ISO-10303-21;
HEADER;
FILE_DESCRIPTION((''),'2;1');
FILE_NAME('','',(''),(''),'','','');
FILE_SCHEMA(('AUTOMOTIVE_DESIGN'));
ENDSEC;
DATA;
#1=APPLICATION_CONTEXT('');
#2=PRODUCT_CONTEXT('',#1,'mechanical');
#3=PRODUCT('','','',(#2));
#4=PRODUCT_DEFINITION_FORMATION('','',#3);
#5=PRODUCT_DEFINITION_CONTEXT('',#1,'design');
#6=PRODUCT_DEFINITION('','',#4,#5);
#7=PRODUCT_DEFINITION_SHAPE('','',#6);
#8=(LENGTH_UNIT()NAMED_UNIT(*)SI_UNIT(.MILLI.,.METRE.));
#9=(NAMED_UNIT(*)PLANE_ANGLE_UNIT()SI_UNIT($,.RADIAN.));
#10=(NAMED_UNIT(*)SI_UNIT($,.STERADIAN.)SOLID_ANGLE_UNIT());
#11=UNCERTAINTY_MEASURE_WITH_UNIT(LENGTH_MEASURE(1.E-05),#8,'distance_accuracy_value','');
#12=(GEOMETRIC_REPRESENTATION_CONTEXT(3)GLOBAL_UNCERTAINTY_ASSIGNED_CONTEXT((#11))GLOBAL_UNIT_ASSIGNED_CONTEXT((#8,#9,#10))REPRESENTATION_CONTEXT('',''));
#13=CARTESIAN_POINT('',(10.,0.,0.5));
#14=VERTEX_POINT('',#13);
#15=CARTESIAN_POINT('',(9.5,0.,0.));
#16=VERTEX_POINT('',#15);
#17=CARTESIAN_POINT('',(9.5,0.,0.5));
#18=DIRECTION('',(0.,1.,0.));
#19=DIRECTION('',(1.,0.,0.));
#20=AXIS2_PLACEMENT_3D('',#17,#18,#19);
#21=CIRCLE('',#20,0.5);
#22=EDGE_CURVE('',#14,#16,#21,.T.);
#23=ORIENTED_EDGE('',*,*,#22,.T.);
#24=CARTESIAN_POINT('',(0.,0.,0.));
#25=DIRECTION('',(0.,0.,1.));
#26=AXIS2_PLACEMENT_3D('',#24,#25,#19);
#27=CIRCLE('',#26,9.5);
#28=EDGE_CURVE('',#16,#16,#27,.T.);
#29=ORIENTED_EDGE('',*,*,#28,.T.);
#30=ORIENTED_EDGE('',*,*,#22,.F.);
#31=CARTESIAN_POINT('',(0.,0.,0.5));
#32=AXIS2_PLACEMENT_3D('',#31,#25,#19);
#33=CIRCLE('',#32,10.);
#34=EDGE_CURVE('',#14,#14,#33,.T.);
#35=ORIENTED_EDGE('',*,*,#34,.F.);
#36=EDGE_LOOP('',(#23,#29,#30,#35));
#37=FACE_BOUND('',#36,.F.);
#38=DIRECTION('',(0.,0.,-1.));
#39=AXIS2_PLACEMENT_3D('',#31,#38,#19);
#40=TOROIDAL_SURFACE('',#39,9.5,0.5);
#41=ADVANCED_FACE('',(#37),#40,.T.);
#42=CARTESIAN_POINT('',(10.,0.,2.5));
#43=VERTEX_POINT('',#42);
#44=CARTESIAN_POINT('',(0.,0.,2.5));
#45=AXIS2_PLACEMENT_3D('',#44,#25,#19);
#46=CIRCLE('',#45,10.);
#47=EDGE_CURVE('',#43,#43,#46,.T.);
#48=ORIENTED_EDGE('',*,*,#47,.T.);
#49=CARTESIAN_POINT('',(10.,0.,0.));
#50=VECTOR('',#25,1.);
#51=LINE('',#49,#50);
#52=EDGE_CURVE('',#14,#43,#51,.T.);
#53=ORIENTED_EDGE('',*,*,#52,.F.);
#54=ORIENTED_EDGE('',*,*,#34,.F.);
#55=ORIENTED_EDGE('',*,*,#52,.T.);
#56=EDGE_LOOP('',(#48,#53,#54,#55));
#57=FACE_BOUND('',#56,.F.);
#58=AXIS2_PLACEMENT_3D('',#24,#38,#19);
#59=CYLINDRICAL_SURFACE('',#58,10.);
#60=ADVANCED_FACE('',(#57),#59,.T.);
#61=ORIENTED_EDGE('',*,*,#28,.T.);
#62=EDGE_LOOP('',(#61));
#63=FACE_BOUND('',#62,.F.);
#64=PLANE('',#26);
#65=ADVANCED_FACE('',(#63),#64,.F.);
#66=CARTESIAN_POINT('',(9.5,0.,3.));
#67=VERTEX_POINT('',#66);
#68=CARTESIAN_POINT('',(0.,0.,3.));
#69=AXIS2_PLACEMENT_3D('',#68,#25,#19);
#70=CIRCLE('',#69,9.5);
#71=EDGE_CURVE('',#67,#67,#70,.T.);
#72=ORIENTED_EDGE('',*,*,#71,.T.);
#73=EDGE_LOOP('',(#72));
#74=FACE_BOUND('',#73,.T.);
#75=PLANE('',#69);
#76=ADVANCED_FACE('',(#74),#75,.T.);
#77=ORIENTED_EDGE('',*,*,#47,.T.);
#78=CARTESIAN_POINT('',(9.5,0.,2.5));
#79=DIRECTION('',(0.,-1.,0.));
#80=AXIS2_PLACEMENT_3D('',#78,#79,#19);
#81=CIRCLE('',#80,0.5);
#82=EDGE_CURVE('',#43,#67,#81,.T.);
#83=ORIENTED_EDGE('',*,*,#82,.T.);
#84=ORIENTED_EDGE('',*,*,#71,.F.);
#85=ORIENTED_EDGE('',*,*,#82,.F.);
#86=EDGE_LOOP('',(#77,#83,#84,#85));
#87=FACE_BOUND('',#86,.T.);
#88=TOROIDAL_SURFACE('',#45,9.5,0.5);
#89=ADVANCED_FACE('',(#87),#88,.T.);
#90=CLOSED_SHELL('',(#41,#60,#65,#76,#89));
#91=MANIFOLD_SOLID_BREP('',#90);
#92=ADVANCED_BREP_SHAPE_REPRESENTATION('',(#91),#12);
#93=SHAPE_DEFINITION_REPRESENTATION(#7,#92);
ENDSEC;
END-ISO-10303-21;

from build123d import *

# Parameters (mm, degrees)
SKETCH_R    = 10
PAD_DEPTH   = 3
FILLET_R    = 0.5
FILLET001_R = 0.5


with BuildPart() as part:
    # Sketch → Pad (new body)
    with BuildSketch(Plane.XY):
        Circle(SKETCH_R)
    extrude(amount=PAD_DEPTH)

    # Fillet
    fillet_edges = [part.edges().sort_by_distance(p)[0] for p in [
        (-10, 0, 3),
    ]]
    fillet(fillet_edges, radius=FILLET_R)

    # Fillet001
    fillet001_edges = [part.edges().sort_by_distance(p)[0] for p in [
        (-10, 0, 0),
    ]]
    fillet(fillet001_edges, radius=FILLET001_R)


solid = part.part
